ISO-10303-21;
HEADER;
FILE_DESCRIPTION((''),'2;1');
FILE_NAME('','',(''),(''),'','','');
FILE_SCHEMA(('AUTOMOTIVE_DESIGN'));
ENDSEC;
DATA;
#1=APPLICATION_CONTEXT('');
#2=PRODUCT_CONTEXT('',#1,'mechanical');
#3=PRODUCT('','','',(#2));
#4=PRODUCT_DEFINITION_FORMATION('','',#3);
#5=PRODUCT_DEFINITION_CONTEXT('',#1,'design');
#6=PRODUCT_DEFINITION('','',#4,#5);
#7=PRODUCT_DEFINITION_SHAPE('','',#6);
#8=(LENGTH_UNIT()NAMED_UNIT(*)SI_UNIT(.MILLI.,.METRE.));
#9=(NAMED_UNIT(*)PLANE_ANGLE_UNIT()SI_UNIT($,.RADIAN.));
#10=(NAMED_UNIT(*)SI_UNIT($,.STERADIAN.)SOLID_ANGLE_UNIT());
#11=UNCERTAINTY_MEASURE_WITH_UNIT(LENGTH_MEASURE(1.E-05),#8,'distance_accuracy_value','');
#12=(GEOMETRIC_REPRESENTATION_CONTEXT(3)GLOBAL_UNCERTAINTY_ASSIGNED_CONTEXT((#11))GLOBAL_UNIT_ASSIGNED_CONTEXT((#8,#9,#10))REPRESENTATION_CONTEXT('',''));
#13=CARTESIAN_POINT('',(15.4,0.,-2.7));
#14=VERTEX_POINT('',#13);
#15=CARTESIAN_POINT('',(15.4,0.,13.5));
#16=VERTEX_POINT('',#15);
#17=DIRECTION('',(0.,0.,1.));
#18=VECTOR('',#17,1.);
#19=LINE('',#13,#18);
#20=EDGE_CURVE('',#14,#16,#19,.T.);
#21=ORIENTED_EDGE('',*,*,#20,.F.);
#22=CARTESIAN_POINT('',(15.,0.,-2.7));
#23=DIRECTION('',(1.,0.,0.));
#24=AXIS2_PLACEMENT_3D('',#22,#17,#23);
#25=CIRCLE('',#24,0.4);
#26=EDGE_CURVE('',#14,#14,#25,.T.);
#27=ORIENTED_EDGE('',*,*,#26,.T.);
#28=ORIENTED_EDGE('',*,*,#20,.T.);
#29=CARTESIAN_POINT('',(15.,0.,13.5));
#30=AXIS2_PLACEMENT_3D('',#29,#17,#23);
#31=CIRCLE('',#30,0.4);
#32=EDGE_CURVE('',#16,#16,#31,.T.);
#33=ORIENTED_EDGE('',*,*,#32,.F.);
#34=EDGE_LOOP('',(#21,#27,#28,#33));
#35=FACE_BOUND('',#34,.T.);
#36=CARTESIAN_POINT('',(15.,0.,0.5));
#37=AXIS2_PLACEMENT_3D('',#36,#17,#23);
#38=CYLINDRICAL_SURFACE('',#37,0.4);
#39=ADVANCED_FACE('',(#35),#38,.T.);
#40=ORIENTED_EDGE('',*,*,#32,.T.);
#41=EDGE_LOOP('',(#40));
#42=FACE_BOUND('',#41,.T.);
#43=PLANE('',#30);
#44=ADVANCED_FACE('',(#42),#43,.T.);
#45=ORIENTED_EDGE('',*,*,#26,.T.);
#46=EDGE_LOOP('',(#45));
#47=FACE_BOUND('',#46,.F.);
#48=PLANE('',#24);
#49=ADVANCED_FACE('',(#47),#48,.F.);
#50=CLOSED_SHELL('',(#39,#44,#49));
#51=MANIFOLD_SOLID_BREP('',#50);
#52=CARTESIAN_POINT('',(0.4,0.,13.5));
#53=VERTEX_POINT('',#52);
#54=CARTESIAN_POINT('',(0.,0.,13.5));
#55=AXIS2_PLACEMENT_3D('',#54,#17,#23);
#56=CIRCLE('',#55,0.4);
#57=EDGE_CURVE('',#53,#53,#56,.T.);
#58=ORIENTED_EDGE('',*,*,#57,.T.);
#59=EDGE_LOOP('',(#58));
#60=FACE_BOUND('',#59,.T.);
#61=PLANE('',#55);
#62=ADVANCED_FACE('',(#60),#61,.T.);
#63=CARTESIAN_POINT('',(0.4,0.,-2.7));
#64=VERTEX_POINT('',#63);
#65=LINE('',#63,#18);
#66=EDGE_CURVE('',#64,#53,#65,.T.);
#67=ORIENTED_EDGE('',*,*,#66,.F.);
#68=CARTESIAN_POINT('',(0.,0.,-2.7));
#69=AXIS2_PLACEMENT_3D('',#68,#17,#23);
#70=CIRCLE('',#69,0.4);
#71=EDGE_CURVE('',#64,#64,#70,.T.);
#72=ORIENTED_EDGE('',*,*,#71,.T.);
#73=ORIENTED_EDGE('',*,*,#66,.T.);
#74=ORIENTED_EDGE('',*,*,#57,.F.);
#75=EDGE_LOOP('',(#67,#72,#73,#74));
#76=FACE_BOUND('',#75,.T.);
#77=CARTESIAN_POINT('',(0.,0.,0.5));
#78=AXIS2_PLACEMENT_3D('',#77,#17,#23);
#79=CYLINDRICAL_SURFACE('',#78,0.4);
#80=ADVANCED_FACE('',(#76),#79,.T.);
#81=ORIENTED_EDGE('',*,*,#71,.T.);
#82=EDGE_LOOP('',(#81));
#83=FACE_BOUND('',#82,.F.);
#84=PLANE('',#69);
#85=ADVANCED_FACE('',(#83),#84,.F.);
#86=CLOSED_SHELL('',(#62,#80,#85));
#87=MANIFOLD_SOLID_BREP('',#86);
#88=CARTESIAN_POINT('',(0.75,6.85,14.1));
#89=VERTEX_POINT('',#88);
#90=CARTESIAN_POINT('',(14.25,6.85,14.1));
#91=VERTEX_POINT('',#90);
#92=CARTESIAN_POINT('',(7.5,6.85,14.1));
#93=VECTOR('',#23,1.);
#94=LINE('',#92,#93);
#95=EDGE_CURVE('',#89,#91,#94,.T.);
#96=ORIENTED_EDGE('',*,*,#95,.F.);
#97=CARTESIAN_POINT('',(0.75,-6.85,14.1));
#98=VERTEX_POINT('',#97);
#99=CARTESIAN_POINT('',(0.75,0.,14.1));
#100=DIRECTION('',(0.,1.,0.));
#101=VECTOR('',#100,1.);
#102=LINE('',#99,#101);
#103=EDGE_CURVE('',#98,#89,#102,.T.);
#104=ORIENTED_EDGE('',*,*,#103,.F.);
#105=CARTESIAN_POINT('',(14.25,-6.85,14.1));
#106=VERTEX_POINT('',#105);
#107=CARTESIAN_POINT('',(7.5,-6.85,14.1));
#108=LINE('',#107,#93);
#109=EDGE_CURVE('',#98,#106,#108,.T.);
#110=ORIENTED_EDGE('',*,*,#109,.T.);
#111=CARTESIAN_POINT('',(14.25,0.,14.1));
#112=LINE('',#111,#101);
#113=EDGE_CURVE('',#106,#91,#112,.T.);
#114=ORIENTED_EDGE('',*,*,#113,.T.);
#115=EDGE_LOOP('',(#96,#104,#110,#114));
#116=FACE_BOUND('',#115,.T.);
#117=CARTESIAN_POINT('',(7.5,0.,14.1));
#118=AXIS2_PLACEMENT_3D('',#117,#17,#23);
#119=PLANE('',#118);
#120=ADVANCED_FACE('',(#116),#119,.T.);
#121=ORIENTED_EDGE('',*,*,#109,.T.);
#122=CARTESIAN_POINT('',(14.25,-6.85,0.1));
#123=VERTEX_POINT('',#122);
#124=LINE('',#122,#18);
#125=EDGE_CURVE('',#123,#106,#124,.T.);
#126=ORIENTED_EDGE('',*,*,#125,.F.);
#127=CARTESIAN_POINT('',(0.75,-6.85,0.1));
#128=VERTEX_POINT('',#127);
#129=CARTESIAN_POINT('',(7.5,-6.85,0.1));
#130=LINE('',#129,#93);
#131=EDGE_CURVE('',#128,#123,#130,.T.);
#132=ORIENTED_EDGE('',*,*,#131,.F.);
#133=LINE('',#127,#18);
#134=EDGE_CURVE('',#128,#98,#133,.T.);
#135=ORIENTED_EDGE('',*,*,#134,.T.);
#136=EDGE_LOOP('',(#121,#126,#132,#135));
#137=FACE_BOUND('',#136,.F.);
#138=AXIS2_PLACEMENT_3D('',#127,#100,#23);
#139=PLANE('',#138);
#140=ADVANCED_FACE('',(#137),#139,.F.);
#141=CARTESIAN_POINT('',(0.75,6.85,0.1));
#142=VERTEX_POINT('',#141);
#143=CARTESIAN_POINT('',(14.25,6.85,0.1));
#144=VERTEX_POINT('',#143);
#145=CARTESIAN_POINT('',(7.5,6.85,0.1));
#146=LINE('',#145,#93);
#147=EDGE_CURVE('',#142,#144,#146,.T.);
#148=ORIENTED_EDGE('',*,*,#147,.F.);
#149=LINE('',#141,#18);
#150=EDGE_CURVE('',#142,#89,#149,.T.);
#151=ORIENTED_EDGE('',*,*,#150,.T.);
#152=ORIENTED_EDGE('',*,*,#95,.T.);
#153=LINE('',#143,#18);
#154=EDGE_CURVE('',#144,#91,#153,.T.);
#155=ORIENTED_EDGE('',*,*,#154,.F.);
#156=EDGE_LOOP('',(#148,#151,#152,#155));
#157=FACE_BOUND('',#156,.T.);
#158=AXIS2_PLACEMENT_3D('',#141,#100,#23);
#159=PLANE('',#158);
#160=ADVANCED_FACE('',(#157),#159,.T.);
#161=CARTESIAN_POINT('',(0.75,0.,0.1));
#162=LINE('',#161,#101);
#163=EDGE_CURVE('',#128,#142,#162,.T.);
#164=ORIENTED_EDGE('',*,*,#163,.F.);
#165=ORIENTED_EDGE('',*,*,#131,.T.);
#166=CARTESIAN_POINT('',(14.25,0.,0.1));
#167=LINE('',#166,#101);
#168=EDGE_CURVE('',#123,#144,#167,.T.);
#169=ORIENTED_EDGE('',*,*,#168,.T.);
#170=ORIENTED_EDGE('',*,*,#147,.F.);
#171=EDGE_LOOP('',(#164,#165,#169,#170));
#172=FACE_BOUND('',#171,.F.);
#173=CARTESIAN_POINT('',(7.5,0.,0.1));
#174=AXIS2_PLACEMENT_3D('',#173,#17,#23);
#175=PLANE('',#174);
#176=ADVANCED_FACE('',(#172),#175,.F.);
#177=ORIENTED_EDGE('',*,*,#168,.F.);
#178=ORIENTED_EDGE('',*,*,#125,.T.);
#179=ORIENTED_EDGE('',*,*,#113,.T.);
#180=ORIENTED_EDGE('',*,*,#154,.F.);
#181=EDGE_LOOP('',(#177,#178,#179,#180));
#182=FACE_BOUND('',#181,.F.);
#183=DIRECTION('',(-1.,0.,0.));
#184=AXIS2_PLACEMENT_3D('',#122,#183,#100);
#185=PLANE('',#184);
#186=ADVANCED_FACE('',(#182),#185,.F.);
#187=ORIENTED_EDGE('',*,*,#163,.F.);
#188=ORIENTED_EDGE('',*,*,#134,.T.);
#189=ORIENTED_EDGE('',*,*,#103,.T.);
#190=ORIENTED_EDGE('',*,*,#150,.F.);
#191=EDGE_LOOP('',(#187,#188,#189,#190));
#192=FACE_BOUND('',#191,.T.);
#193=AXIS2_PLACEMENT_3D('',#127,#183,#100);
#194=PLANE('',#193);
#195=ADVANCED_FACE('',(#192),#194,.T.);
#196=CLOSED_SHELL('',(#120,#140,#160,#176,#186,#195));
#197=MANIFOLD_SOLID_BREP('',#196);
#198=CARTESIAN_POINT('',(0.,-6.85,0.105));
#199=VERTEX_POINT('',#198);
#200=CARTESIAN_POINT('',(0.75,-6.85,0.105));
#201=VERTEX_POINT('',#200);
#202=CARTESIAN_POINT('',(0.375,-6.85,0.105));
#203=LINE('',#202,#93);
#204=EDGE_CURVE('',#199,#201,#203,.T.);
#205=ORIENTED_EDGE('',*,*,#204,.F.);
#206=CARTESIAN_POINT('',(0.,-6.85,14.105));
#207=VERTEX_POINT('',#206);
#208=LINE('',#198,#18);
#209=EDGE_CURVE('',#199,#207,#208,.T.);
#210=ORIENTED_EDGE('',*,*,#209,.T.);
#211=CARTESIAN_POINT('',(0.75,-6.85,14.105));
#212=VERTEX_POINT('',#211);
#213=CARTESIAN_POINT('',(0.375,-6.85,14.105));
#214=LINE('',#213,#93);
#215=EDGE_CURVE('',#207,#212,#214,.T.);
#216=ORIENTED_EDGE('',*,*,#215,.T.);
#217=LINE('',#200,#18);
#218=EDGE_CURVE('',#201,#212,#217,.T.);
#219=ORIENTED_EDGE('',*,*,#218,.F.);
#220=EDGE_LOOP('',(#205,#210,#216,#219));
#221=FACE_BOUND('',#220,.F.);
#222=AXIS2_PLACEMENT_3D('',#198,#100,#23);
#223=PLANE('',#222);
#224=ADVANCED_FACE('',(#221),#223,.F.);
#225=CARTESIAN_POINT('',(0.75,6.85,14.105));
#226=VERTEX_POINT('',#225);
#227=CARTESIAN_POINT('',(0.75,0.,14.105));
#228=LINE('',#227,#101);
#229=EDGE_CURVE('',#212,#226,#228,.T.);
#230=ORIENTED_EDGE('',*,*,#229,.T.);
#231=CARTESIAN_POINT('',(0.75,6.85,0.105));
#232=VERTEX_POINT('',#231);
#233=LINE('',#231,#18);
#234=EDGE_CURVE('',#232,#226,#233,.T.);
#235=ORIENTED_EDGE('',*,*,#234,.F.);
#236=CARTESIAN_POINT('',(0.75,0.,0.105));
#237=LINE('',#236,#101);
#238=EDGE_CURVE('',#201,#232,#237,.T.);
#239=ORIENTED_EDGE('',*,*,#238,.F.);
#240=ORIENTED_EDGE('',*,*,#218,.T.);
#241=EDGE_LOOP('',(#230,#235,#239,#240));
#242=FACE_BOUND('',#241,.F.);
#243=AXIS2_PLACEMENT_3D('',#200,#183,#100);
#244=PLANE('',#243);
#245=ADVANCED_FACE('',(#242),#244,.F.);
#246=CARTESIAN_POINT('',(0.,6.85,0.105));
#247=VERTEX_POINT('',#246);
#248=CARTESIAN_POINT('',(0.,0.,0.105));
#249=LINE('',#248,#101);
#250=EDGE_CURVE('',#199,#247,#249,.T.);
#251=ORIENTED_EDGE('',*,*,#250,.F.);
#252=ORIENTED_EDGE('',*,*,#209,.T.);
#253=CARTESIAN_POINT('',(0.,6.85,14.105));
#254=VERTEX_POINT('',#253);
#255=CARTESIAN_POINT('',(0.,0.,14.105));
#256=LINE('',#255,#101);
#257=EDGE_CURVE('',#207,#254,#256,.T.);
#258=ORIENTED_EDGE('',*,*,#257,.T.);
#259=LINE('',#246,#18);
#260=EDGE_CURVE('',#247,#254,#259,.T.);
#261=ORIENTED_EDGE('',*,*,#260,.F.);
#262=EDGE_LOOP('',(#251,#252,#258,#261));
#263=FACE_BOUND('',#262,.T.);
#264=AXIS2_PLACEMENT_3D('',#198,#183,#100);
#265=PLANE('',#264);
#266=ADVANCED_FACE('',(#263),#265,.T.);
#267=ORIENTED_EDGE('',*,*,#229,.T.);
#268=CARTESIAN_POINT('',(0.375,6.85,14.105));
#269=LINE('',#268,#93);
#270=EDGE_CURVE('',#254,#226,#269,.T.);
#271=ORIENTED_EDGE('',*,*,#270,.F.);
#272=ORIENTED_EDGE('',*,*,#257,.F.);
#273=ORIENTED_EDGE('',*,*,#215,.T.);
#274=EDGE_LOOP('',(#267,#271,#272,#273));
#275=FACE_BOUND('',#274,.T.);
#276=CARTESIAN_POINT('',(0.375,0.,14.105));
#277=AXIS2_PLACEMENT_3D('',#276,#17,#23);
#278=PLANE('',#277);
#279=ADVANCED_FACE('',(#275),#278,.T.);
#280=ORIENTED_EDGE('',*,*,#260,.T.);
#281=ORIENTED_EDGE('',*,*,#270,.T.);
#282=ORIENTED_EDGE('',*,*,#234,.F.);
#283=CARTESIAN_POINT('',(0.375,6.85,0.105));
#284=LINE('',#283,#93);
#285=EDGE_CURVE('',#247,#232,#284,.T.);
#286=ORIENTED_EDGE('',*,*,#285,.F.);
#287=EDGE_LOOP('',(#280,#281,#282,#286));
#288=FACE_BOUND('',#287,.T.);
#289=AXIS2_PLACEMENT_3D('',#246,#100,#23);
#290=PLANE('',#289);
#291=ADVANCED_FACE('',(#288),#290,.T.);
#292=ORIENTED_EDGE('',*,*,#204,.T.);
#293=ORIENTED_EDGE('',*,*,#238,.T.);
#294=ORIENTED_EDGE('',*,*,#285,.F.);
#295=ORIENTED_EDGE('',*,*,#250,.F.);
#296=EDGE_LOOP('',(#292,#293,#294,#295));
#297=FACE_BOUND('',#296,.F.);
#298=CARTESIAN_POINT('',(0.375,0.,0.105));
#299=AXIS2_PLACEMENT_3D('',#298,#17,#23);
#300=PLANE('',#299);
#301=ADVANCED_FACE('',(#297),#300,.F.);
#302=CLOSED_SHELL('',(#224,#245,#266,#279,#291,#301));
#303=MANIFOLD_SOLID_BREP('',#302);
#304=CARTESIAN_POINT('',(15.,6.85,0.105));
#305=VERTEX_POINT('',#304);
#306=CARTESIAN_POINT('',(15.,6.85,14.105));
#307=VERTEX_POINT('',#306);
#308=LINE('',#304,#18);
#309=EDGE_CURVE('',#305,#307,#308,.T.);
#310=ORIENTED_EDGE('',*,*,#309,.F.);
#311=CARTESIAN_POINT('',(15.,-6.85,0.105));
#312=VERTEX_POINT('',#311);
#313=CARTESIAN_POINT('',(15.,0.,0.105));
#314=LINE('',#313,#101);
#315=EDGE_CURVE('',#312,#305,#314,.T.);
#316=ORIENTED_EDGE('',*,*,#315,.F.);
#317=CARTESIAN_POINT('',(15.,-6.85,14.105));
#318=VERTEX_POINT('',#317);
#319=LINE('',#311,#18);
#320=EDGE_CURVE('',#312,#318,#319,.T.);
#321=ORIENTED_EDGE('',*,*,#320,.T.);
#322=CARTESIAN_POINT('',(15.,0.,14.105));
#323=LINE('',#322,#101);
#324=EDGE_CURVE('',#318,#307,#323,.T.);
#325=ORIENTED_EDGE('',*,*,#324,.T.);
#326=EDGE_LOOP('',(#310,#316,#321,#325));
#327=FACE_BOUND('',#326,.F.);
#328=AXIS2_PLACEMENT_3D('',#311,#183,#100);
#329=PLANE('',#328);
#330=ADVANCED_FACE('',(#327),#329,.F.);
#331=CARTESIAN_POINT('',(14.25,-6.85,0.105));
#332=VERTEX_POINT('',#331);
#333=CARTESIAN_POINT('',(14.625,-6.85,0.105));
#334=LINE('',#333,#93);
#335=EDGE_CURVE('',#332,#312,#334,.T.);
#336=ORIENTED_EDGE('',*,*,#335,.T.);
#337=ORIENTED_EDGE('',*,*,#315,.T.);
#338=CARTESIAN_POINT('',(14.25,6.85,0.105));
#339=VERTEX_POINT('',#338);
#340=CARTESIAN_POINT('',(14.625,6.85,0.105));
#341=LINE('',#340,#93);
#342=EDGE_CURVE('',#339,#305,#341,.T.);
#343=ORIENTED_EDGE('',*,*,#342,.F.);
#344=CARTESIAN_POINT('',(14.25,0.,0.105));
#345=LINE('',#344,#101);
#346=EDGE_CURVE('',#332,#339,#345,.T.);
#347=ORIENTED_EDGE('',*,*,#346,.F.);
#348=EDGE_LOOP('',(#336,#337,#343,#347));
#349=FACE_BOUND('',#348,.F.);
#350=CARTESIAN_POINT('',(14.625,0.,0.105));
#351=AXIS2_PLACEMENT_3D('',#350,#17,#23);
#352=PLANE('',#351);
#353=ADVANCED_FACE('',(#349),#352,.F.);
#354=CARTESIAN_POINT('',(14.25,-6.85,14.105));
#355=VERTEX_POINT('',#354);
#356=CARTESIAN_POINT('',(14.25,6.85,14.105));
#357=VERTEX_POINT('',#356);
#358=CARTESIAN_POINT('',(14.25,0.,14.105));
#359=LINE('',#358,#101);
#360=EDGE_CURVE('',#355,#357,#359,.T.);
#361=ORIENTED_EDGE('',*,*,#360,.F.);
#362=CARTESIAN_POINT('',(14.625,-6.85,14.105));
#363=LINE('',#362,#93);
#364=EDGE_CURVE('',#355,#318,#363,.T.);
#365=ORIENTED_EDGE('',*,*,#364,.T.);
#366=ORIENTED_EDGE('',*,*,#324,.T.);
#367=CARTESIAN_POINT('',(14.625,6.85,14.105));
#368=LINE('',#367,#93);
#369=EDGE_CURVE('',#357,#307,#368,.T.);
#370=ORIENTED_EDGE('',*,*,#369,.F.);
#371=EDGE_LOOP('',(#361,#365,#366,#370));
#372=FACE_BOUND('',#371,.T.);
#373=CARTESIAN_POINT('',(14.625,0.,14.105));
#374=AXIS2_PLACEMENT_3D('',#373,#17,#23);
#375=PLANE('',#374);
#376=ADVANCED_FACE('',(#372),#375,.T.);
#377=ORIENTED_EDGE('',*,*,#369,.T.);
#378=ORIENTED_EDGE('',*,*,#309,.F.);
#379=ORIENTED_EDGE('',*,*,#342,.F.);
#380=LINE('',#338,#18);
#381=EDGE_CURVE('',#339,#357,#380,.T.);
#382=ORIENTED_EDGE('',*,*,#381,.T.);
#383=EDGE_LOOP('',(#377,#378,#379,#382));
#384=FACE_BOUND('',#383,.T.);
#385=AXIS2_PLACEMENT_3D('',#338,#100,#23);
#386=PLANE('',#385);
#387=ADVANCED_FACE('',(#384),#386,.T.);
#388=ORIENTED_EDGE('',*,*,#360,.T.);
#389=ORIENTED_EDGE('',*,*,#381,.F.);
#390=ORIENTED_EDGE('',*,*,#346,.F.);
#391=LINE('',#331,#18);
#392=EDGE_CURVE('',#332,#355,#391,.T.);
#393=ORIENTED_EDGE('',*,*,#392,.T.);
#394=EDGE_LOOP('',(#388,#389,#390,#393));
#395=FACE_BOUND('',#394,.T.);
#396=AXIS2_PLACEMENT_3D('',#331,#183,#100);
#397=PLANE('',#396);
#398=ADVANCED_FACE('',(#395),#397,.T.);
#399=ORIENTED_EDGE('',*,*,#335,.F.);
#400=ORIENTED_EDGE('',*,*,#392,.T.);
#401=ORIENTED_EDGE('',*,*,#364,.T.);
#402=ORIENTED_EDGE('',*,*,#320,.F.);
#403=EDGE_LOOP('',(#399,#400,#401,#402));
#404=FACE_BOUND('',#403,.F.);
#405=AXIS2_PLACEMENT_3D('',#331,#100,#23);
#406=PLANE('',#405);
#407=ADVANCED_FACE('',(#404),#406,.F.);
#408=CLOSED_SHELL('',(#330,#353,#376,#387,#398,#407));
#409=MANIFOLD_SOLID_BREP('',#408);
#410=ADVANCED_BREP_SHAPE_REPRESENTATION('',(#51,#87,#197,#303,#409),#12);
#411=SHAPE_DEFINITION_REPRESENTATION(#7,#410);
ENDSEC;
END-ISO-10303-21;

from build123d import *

# Parameters (mm, degrees)
SKETCH_W          = 13.5
SKETCH_H          = 13.7
PAD_DEPTH         = 14
SKETCH001_R       = 0.4
PAD001_DEPTH      = 13
PAD001_DEPTH_BACK = 3.2
SKETCH002_W       = 0.75
SKETCH002_H       = 13.7
PAD002_DEPTH      = 14


with BuildPart() as pad:
    # Sketch → Pad (new body)
    with BuildSketch(Plane.XY.offset(0.1)):
        with Locations((7.5, 0)):
            Rectangle(SKETCH_W, SKETCH_H)
    extrude(amount=PAD_DEPTH)


with BuildPart() as pad001:
    # Sketch001 → Pad001 (new body, two sides)
    with BuildSketch(Plane.XY.offset(0.5)) as pad001_sk:
        Circle(SKETCH001_R)
        with Locations((15, 0)):
            Circle(SKETCH001_R)
    extrude(amount=PAD001_DEPTH)
    extrude(pad001_sk.sketch, amount=-PAD001_DEPTH_BACK)


with BuildPart() as pad002:
    # Sketch002 → Pad002 (new body)
    with BuildSketch(Plane.XY.offset(0.105)):
        with Locations((0.375, 0)):
            Rectangle(SKETCH002_W, SKETCH002_H)
        with Locations((14.625, 0)):
            Rectangle(SKETCH002_W, SKETCH002_H)
    extrude(amount=PAD002_DEPTH)


solid = Compound([pad.part, pad001.part, pad002.part])
